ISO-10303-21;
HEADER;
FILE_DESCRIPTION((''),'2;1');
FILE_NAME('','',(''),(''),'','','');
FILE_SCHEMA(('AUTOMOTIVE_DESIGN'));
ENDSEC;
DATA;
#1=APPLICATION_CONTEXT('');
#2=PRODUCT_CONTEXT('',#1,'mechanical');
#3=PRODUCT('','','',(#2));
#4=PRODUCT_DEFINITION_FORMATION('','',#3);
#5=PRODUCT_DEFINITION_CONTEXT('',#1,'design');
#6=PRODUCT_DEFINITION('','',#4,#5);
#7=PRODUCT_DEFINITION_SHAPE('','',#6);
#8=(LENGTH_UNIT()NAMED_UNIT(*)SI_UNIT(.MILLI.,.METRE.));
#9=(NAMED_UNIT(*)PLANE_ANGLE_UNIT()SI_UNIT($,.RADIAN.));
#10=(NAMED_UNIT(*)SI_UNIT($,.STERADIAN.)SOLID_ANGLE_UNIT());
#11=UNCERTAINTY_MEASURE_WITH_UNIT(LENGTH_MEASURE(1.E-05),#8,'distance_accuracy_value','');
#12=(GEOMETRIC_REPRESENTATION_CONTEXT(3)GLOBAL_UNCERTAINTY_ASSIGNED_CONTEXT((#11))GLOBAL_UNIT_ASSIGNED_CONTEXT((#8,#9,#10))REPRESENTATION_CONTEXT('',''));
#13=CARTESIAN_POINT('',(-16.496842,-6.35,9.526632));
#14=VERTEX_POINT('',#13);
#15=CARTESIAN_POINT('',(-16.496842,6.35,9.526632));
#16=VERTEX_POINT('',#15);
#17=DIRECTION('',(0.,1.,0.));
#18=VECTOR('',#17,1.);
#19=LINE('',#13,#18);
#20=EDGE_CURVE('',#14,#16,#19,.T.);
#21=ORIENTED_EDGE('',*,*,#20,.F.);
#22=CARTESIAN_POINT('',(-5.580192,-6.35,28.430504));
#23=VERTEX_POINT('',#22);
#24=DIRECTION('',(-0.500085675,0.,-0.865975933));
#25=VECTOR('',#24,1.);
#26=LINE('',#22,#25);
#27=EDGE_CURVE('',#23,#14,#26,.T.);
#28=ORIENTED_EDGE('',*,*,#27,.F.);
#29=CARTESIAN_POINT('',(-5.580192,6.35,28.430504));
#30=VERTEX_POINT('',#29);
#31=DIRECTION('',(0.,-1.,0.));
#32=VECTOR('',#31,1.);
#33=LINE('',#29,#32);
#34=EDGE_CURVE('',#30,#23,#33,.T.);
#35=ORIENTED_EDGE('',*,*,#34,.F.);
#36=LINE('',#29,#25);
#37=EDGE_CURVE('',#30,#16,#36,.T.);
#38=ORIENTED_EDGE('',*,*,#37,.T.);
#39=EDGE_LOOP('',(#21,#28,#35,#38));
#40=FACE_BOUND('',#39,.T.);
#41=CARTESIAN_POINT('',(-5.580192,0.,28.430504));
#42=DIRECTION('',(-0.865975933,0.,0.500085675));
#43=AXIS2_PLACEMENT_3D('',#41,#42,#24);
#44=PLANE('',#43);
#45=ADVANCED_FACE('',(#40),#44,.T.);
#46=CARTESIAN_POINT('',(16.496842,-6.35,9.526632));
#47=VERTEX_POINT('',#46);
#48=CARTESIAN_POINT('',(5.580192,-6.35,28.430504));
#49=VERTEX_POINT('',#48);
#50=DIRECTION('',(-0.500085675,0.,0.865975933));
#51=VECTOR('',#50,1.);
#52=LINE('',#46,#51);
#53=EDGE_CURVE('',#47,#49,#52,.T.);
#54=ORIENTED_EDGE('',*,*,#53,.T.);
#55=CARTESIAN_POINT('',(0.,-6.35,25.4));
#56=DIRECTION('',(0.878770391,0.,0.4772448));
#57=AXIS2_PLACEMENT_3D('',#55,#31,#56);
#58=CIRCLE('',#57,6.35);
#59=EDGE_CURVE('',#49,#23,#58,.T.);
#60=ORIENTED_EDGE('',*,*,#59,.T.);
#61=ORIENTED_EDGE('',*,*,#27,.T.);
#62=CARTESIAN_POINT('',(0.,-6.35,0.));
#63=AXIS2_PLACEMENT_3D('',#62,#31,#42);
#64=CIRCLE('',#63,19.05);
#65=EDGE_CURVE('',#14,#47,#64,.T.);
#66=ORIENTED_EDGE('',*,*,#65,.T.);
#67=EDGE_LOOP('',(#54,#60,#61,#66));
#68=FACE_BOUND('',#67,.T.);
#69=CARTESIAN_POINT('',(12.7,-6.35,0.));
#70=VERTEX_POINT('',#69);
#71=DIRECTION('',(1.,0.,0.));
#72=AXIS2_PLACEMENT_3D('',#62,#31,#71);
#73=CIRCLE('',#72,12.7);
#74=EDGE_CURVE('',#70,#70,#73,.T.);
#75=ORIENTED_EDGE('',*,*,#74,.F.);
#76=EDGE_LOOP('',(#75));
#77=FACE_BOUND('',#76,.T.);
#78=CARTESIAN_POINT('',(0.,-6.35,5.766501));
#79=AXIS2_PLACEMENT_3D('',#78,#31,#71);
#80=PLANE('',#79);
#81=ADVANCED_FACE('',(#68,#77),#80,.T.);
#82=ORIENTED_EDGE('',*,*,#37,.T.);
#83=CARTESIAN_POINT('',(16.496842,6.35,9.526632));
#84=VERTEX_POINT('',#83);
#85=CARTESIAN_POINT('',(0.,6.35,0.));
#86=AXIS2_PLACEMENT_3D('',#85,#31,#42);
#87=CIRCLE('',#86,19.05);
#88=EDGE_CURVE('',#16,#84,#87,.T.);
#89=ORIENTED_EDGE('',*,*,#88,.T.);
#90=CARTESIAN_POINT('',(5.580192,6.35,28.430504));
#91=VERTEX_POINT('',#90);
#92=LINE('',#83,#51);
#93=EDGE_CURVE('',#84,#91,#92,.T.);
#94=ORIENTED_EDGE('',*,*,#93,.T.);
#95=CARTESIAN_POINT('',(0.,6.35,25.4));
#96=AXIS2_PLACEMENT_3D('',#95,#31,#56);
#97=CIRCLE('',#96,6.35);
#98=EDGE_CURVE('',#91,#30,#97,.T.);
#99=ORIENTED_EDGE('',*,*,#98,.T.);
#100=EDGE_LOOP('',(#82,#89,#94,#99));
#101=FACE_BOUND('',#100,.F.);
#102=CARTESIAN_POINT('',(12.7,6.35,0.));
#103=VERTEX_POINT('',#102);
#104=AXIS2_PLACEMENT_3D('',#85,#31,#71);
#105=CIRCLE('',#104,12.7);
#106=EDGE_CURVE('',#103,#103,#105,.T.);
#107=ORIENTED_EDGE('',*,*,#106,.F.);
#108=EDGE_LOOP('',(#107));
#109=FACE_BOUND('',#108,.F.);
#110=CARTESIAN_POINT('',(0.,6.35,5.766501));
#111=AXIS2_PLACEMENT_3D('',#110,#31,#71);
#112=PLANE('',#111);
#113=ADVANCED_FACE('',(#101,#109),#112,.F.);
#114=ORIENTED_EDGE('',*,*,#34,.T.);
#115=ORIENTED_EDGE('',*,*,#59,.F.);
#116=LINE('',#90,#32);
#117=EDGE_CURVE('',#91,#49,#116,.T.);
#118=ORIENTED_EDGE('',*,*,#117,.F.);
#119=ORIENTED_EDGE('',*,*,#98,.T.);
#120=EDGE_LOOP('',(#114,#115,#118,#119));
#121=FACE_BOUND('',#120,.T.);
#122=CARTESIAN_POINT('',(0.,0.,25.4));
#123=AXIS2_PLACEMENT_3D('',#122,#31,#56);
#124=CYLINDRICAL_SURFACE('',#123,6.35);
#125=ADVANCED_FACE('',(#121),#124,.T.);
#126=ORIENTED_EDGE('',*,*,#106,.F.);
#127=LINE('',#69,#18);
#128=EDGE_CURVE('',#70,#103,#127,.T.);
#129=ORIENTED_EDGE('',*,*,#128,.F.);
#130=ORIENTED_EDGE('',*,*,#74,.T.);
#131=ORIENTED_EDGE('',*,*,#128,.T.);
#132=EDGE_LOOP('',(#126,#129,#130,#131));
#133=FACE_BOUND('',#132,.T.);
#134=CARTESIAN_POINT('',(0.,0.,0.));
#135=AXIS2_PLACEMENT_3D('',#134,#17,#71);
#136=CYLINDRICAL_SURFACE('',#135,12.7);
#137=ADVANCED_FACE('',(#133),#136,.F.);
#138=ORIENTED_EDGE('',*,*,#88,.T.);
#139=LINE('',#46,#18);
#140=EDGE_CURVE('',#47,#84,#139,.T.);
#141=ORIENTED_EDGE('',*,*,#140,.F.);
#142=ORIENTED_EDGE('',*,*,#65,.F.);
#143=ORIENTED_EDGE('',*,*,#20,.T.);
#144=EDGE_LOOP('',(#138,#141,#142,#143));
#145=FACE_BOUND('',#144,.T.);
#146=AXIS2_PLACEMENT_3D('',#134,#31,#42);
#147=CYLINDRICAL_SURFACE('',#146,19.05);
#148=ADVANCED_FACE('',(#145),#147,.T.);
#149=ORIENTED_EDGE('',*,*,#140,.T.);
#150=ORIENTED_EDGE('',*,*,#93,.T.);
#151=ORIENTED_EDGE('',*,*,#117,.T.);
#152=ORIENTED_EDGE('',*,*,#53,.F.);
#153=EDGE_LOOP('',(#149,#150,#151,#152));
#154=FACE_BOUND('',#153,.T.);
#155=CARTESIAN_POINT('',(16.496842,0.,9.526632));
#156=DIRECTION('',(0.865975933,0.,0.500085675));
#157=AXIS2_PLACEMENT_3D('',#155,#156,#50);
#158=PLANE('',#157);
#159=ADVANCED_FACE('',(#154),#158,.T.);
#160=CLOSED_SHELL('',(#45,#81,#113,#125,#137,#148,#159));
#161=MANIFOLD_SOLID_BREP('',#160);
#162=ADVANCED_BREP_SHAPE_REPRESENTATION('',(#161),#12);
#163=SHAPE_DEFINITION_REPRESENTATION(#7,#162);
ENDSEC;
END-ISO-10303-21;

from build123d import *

# Parameters (mm, degrees)
F0_R     = 12.7
F1_DEPTH = 6.35


with BuildPart() as f1:
    # F0 (on Front) → F1 (new body, symmetric)
    with BuildSketch(Plane.XZ):
        with BuildLine():
            Line((16.4968415309, 9.5266321177), (5.5801919852, 28.4305044808))
            ThreePointArc((5.5801919852, 28.4305044808), (0, 31.75), (-5.5801919852, 28.4305044808))
            Line((-5.5801919852, 28.4305044808), (-16.4968415309, 9.5266321177))
            ThreePointArc((-16.4968415309, 9.5266321177), (0, -19.05), (16.4968415309, 9.5266321177))
        make_face()
        Circle(F0_R, mode=Mode.SUBTRACT)
    extrude(amount=F1_DEPTH, both=True)


solid = f1.part
